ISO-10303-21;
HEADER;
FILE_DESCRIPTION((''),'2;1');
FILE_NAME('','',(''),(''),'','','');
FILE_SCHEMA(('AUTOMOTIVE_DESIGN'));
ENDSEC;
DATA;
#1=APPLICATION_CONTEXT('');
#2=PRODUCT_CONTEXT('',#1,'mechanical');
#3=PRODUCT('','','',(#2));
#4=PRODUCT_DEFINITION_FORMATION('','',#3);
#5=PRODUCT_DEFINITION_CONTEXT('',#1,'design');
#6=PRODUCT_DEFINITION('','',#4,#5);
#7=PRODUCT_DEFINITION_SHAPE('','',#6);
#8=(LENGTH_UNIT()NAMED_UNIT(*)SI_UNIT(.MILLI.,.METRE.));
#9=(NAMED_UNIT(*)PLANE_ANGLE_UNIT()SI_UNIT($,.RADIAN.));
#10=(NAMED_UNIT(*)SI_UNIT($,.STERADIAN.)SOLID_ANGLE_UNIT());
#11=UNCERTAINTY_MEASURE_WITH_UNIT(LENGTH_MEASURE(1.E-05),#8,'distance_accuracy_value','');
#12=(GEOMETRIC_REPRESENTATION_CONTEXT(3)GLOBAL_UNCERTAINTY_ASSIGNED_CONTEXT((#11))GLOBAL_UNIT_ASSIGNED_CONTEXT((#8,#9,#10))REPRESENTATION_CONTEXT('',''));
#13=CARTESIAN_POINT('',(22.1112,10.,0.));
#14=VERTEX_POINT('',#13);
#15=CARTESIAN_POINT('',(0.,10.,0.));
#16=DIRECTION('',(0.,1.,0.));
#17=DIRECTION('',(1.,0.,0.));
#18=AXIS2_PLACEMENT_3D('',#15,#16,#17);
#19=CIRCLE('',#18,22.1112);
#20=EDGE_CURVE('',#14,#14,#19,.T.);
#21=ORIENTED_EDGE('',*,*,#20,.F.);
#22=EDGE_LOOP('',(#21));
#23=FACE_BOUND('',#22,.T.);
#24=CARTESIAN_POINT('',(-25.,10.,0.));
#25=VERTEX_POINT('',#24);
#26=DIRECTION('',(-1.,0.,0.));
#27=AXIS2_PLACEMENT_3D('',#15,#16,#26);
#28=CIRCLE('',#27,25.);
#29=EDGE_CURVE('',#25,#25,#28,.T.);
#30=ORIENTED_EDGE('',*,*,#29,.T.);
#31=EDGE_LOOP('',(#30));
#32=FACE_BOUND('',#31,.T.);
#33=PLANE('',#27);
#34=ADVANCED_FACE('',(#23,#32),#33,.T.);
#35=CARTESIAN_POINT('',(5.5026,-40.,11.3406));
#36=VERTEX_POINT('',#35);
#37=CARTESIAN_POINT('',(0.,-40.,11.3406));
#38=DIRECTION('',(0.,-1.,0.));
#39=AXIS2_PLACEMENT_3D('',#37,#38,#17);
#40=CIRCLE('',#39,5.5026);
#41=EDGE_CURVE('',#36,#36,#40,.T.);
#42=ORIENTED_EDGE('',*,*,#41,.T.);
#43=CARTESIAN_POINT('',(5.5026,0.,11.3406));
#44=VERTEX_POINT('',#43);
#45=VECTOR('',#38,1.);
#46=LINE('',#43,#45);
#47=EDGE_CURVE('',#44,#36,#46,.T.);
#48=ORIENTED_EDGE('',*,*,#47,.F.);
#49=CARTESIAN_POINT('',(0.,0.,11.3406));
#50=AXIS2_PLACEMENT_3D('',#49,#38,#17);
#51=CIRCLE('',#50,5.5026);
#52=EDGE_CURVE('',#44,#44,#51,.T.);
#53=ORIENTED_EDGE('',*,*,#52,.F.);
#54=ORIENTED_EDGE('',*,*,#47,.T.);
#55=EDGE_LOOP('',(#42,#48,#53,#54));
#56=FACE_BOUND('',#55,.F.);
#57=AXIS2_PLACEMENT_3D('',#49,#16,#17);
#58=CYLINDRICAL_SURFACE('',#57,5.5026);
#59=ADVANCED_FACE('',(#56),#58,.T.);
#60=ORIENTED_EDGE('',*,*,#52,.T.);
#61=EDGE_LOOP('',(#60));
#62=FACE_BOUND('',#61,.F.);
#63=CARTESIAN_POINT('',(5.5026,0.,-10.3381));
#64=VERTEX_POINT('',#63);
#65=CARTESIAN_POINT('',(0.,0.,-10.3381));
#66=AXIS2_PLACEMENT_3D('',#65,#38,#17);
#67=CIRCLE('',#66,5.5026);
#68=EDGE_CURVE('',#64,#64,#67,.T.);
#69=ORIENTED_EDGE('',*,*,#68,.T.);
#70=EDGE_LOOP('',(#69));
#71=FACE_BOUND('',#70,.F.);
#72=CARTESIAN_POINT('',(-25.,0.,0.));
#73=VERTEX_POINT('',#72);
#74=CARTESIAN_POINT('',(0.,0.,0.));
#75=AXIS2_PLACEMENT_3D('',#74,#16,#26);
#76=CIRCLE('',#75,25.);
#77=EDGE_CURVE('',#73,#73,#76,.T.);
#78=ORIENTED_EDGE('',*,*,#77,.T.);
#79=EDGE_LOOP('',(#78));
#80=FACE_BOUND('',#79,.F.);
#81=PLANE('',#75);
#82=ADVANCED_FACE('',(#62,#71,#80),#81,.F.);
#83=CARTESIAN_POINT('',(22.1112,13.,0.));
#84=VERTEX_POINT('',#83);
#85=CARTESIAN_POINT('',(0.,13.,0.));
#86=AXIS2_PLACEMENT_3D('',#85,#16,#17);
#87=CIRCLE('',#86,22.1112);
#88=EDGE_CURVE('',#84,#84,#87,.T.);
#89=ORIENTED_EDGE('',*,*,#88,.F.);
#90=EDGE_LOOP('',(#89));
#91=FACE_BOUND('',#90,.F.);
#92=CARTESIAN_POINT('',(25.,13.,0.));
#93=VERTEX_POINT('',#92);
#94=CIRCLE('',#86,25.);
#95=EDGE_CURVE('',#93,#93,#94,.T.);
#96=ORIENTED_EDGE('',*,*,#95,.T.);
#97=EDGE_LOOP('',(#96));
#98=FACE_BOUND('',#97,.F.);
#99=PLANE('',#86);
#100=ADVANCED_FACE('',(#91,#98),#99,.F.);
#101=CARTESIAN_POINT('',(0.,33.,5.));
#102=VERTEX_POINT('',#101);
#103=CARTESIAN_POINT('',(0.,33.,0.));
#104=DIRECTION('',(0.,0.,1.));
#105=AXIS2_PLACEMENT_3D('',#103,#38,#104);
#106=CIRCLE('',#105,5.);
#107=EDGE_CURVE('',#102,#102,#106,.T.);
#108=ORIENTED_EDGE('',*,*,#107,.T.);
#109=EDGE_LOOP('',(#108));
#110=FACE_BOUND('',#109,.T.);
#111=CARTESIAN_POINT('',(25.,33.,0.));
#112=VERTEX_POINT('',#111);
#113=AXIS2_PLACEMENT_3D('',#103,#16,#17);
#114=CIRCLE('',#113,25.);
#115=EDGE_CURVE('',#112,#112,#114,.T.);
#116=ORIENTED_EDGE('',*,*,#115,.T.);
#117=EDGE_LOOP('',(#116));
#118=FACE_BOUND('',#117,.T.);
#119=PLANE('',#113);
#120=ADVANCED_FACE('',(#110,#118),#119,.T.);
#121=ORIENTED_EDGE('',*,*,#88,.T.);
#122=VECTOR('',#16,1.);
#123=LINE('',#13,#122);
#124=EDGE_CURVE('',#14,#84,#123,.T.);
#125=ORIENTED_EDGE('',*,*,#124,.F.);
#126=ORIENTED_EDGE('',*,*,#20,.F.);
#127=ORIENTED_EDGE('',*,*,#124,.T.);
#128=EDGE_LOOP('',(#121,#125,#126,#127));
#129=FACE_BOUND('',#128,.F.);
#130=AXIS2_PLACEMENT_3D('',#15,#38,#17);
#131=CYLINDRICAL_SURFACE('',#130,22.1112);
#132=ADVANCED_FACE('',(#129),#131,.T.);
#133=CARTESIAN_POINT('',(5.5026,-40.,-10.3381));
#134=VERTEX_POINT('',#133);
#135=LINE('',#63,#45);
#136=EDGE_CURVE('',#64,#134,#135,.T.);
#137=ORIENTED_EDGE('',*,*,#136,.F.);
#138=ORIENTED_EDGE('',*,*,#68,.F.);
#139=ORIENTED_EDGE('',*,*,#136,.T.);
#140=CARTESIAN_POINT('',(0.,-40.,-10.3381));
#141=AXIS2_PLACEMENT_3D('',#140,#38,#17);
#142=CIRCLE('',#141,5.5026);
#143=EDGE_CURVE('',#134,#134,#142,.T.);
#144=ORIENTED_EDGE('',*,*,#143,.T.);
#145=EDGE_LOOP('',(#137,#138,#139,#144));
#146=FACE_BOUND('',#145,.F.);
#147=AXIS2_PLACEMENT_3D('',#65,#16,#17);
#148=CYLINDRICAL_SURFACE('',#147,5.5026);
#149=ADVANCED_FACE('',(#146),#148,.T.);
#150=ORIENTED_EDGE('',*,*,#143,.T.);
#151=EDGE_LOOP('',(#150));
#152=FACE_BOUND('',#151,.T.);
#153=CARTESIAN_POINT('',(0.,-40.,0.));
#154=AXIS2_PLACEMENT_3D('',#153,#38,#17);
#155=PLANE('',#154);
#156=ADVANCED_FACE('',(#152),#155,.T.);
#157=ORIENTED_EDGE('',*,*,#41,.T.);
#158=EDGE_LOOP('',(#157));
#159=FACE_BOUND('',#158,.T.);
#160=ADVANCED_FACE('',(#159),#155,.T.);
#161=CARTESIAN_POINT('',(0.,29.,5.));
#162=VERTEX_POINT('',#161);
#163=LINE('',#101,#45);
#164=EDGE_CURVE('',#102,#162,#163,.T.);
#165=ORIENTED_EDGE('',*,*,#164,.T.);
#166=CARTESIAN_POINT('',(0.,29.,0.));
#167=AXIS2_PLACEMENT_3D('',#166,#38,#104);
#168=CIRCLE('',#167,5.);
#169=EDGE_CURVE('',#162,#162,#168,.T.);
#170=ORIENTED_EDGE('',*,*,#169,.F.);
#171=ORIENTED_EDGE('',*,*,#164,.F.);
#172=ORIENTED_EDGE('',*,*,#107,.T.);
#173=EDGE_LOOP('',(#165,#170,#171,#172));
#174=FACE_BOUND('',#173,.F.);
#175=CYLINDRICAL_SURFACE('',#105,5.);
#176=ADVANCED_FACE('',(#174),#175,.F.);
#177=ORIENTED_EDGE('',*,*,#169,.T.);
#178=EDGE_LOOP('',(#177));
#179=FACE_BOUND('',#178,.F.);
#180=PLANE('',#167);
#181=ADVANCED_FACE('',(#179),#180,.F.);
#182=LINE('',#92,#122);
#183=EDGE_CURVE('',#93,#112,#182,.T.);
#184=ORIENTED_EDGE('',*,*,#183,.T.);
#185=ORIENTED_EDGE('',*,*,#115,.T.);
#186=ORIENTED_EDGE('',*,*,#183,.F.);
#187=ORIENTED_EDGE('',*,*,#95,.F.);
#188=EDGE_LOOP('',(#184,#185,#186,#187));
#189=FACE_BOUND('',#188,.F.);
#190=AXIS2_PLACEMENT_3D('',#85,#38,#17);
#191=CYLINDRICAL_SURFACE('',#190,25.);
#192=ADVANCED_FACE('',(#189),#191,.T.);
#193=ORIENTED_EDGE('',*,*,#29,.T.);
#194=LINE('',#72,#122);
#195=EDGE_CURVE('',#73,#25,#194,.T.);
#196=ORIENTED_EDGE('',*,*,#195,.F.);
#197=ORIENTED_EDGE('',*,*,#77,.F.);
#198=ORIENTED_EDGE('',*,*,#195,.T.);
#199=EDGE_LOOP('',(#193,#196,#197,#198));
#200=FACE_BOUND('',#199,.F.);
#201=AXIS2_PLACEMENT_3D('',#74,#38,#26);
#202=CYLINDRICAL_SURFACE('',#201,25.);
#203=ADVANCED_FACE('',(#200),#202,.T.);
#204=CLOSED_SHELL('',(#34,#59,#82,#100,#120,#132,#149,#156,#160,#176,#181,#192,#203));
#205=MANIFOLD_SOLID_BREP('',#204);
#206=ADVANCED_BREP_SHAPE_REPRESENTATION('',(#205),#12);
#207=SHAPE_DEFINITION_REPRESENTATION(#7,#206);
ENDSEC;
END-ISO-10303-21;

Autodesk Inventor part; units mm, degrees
ref_plane "YZ Plane" through (0, 0, 0) normal (1, 0, 0) x (0, 1, 0)
ref_plane "XZ Plane" through (0, 0, 0) normal (0, 1, 0) x (-1, 0, 0)
ref_plane "XY Plane" through (0, 0, 0) normal (0, 0, 1) x (1, 0, 0)
sketch "Sketch1" plane through (0, 0, 0) normal (0, 1, 0) x (-1, 0, 0)
  circle A0 centre (0, 0) radius 25
  dimension "d0" = 50
extrude "Extrusion1" add sketch "Sketch1" along normal blind 10
sketch "Sketch2" plane through (0, 10, 0) normal (0, 1, 0) x (1, 0, 0)
  circle A0 centre (0, 0) radius 22.1112
extrude "Extrusion2" add sketch "Sketch2" along normal blind 3
sketch "Sketch3" plane through (0, 13, 0) normal (0, 1, 0) x (1, 0, 0)
  circle A0 centre (0, 0) radius 25
extrude "Extrusion3" add sketch "Sketch3" along normal blind 20
sketch "Sketch4" plane through (0, 0, 0) normal (0, -1, 0) x (1, 0, 0)
  circle A0 centre (0, 11.3406) radius 5.5026
  circle A1 centre (0, -10.3381) radius 5.5026
  point P0 (0, 0)
extrude "Extrusion4" add sketch "Sketch4" along normal blind 40
sketch "Sketch5" plane through (0, 33, 0) normal (0, 1, 0) x (1, 0, 0)
  circle A0 centre (0, 0) radius 25 projected
hole "Hole1" at (0, 33, 0) direction (0, -1, 0) diameter 10 depth 4
properties part number "buzzer now"
